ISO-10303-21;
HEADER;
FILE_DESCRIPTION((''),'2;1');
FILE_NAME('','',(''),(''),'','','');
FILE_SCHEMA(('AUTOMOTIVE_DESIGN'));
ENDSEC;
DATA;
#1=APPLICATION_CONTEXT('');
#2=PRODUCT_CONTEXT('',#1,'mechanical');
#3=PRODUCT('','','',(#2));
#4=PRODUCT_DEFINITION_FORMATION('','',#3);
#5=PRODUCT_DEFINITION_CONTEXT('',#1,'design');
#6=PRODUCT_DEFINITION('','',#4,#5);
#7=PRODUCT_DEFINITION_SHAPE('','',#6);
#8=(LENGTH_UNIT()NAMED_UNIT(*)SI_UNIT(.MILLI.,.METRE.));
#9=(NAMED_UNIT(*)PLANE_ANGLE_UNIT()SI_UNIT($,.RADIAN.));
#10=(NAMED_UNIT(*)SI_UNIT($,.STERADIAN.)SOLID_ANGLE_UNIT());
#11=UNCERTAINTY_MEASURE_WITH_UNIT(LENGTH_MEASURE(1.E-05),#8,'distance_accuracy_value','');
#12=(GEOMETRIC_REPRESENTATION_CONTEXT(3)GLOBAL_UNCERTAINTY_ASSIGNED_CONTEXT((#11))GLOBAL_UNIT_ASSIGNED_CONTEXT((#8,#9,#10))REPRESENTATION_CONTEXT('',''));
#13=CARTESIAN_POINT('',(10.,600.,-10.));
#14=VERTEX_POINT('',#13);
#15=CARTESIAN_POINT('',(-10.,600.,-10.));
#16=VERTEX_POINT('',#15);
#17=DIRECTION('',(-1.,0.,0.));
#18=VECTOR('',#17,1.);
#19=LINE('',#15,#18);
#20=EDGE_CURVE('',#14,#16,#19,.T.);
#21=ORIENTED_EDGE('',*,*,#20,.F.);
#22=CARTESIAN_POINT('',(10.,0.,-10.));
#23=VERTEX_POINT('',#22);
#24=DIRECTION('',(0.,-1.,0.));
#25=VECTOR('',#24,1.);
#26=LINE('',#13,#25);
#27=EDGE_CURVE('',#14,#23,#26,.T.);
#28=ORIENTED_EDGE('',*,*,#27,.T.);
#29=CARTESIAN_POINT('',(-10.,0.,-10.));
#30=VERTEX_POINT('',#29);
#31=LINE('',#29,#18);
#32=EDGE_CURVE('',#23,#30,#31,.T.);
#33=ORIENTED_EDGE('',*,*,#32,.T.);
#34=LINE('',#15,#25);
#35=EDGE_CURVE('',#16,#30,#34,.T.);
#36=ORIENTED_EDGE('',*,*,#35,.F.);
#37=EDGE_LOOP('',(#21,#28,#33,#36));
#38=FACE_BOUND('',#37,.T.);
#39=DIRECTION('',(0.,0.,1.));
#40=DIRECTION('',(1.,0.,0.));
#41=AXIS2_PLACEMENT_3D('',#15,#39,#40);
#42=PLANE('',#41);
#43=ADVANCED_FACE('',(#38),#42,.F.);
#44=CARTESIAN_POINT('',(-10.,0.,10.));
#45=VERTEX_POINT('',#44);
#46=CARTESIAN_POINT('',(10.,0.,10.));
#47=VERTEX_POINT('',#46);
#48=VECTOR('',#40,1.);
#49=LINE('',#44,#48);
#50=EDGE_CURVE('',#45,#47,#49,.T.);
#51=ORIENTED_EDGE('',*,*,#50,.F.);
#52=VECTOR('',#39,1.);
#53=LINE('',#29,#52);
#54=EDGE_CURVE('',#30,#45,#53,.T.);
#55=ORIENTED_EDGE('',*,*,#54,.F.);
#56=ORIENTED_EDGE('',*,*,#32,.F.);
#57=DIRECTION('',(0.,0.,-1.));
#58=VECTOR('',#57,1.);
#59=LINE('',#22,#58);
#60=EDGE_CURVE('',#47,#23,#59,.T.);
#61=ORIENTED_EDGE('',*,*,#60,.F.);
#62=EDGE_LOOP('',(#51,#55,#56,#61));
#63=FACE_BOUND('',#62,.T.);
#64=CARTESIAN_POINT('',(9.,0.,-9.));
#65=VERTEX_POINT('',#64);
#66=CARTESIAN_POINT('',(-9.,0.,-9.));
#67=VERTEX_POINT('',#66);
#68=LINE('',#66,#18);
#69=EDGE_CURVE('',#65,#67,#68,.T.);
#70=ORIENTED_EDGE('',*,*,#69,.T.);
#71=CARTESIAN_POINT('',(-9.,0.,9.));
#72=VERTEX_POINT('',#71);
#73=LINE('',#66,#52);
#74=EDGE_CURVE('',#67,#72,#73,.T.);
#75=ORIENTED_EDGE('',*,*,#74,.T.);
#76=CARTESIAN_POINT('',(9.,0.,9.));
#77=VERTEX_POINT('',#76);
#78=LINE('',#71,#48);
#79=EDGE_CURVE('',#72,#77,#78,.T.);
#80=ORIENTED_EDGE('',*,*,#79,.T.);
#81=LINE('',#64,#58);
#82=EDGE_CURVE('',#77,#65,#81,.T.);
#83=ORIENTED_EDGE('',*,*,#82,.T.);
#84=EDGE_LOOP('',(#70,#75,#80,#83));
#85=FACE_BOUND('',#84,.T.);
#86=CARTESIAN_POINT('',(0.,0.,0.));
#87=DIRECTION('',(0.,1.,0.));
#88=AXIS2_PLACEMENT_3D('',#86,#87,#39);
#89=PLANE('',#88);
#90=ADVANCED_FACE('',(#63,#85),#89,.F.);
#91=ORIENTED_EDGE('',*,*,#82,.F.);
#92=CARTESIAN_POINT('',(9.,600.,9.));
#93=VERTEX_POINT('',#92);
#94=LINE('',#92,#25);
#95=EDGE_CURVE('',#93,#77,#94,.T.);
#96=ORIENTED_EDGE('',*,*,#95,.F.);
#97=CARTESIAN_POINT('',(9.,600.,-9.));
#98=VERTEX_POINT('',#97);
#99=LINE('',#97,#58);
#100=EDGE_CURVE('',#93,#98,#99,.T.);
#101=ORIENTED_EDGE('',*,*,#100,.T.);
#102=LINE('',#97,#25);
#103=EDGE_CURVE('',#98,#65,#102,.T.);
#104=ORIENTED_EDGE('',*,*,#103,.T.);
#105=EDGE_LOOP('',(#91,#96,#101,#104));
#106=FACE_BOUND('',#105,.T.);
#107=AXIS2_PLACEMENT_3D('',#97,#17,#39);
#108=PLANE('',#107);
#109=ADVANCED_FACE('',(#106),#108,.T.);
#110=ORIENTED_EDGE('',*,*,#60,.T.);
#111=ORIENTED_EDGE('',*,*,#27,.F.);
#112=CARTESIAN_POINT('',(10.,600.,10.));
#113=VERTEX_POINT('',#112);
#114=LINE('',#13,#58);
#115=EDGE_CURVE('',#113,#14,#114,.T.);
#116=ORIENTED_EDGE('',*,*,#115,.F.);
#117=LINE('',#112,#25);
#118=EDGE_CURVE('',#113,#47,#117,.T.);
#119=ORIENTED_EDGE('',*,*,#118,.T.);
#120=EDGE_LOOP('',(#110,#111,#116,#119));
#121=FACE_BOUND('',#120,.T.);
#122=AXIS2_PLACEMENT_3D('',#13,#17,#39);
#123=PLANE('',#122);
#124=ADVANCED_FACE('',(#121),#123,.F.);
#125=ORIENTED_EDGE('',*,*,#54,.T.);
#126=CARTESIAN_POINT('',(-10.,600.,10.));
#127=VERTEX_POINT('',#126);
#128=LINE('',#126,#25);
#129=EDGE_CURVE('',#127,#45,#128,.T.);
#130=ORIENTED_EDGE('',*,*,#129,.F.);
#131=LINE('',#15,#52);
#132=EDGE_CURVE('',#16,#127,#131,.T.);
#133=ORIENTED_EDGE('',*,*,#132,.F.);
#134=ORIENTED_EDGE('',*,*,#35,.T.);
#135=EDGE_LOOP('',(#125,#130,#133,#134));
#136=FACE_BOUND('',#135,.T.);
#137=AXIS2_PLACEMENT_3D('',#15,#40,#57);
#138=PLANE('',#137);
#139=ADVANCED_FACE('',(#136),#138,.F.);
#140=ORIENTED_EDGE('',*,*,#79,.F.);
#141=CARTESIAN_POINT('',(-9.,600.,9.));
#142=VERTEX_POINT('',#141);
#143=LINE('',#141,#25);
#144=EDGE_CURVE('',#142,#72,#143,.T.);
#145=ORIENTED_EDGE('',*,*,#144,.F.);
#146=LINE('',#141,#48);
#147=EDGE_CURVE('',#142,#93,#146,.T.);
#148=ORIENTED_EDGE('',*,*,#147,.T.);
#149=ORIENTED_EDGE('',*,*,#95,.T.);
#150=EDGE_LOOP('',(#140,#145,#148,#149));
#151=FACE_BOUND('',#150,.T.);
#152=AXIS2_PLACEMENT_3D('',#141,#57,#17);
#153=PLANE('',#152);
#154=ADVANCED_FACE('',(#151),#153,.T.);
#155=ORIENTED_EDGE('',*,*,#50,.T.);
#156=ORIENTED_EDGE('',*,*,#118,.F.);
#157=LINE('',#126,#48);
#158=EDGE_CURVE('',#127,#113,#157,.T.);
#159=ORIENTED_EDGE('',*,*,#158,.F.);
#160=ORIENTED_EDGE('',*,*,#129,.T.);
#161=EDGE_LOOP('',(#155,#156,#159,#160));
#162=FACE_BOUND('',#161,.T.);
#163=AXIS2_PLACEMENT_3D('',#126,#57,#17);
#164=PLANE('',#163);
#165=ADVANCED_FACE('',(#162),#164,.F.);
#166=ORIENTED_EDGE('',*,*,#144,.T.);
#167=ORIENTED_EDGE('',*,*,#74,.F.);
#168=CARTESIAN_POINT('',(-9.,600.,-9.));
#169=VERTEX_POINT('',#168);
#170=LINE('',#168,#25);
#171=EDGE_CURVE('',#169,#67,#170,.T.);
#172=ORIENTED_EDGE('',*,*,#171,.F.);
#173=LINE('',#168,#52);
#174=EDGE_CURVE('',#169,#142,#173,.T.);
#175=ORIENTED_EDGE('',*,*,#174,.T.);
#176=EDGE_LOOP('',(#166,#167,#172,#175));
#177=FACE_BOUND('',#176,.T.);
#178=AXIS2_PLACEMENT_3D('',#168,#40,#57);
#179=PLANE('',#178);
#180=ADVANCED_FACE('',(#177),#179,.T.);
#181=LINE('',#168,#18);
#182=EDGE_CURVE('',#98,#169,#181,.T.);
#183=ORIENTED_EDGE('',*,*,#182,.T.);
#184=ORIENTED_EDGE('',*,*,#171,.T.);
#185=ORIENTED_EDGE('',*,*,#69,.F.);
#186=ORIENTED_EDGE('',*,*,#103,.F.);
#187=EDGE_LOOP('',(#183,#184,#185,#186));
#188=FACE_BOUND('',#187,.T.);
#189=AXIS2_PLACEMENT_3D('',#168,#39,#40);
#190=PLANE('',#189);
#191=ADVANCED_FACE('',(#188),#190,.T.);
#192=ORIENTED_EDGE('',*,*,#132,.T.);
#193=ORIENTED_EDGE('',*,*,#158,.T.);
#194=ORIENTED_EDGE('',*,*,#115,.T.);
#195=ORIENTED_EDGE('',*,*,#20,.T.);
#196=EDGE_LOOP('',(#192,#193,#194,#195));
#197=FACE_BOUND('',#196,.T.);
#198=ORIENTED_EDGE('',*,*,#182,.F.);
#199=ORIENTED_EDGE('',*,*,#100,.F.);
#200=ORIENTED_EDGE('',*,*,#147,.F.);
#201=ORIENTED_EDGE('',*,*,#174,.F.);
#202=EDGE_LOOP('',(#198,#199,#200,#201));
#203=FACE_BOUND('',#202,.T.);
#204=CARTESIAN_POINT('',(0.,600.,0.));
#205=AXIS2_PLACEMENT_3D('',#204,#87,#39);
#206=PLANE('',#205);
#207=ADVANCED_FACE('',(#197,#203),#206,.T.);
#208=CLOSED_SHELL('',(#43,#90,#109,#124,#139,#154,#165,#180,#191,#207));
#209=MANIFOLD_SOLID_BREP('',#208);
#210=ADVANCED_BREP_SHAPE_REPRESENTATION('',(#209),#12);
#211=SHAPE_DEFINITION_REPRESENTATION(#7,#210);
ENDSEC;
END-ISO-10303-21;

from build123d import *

# Parameters (mm, degrees)
SKETCH_1_W      = 20
SKETCH_1_H      = 20
SKETCH_1_W_2    = 18
SKETCH_1_H_2    = 18
EXTRUDE_1_DEPTH = 600


with BuildPart() as part:
    # 草图1 → 凸台-拉伸1 (new body)
    with BuildSketch(Plane(origin=(0, 0, 0), x_dir=(1, 0, 0), z_dir=(0, 1, 0))):
        Rectangle(SKETCH_1_W, SKETCH_1_H)
        Rectangle(SKETCH_1_W_2, SKETCH_1_H_2, mode=Mode.SUBTRACT)
    extrude(amount=EXTRUDE_1_DEPTH)


solid = part.part
